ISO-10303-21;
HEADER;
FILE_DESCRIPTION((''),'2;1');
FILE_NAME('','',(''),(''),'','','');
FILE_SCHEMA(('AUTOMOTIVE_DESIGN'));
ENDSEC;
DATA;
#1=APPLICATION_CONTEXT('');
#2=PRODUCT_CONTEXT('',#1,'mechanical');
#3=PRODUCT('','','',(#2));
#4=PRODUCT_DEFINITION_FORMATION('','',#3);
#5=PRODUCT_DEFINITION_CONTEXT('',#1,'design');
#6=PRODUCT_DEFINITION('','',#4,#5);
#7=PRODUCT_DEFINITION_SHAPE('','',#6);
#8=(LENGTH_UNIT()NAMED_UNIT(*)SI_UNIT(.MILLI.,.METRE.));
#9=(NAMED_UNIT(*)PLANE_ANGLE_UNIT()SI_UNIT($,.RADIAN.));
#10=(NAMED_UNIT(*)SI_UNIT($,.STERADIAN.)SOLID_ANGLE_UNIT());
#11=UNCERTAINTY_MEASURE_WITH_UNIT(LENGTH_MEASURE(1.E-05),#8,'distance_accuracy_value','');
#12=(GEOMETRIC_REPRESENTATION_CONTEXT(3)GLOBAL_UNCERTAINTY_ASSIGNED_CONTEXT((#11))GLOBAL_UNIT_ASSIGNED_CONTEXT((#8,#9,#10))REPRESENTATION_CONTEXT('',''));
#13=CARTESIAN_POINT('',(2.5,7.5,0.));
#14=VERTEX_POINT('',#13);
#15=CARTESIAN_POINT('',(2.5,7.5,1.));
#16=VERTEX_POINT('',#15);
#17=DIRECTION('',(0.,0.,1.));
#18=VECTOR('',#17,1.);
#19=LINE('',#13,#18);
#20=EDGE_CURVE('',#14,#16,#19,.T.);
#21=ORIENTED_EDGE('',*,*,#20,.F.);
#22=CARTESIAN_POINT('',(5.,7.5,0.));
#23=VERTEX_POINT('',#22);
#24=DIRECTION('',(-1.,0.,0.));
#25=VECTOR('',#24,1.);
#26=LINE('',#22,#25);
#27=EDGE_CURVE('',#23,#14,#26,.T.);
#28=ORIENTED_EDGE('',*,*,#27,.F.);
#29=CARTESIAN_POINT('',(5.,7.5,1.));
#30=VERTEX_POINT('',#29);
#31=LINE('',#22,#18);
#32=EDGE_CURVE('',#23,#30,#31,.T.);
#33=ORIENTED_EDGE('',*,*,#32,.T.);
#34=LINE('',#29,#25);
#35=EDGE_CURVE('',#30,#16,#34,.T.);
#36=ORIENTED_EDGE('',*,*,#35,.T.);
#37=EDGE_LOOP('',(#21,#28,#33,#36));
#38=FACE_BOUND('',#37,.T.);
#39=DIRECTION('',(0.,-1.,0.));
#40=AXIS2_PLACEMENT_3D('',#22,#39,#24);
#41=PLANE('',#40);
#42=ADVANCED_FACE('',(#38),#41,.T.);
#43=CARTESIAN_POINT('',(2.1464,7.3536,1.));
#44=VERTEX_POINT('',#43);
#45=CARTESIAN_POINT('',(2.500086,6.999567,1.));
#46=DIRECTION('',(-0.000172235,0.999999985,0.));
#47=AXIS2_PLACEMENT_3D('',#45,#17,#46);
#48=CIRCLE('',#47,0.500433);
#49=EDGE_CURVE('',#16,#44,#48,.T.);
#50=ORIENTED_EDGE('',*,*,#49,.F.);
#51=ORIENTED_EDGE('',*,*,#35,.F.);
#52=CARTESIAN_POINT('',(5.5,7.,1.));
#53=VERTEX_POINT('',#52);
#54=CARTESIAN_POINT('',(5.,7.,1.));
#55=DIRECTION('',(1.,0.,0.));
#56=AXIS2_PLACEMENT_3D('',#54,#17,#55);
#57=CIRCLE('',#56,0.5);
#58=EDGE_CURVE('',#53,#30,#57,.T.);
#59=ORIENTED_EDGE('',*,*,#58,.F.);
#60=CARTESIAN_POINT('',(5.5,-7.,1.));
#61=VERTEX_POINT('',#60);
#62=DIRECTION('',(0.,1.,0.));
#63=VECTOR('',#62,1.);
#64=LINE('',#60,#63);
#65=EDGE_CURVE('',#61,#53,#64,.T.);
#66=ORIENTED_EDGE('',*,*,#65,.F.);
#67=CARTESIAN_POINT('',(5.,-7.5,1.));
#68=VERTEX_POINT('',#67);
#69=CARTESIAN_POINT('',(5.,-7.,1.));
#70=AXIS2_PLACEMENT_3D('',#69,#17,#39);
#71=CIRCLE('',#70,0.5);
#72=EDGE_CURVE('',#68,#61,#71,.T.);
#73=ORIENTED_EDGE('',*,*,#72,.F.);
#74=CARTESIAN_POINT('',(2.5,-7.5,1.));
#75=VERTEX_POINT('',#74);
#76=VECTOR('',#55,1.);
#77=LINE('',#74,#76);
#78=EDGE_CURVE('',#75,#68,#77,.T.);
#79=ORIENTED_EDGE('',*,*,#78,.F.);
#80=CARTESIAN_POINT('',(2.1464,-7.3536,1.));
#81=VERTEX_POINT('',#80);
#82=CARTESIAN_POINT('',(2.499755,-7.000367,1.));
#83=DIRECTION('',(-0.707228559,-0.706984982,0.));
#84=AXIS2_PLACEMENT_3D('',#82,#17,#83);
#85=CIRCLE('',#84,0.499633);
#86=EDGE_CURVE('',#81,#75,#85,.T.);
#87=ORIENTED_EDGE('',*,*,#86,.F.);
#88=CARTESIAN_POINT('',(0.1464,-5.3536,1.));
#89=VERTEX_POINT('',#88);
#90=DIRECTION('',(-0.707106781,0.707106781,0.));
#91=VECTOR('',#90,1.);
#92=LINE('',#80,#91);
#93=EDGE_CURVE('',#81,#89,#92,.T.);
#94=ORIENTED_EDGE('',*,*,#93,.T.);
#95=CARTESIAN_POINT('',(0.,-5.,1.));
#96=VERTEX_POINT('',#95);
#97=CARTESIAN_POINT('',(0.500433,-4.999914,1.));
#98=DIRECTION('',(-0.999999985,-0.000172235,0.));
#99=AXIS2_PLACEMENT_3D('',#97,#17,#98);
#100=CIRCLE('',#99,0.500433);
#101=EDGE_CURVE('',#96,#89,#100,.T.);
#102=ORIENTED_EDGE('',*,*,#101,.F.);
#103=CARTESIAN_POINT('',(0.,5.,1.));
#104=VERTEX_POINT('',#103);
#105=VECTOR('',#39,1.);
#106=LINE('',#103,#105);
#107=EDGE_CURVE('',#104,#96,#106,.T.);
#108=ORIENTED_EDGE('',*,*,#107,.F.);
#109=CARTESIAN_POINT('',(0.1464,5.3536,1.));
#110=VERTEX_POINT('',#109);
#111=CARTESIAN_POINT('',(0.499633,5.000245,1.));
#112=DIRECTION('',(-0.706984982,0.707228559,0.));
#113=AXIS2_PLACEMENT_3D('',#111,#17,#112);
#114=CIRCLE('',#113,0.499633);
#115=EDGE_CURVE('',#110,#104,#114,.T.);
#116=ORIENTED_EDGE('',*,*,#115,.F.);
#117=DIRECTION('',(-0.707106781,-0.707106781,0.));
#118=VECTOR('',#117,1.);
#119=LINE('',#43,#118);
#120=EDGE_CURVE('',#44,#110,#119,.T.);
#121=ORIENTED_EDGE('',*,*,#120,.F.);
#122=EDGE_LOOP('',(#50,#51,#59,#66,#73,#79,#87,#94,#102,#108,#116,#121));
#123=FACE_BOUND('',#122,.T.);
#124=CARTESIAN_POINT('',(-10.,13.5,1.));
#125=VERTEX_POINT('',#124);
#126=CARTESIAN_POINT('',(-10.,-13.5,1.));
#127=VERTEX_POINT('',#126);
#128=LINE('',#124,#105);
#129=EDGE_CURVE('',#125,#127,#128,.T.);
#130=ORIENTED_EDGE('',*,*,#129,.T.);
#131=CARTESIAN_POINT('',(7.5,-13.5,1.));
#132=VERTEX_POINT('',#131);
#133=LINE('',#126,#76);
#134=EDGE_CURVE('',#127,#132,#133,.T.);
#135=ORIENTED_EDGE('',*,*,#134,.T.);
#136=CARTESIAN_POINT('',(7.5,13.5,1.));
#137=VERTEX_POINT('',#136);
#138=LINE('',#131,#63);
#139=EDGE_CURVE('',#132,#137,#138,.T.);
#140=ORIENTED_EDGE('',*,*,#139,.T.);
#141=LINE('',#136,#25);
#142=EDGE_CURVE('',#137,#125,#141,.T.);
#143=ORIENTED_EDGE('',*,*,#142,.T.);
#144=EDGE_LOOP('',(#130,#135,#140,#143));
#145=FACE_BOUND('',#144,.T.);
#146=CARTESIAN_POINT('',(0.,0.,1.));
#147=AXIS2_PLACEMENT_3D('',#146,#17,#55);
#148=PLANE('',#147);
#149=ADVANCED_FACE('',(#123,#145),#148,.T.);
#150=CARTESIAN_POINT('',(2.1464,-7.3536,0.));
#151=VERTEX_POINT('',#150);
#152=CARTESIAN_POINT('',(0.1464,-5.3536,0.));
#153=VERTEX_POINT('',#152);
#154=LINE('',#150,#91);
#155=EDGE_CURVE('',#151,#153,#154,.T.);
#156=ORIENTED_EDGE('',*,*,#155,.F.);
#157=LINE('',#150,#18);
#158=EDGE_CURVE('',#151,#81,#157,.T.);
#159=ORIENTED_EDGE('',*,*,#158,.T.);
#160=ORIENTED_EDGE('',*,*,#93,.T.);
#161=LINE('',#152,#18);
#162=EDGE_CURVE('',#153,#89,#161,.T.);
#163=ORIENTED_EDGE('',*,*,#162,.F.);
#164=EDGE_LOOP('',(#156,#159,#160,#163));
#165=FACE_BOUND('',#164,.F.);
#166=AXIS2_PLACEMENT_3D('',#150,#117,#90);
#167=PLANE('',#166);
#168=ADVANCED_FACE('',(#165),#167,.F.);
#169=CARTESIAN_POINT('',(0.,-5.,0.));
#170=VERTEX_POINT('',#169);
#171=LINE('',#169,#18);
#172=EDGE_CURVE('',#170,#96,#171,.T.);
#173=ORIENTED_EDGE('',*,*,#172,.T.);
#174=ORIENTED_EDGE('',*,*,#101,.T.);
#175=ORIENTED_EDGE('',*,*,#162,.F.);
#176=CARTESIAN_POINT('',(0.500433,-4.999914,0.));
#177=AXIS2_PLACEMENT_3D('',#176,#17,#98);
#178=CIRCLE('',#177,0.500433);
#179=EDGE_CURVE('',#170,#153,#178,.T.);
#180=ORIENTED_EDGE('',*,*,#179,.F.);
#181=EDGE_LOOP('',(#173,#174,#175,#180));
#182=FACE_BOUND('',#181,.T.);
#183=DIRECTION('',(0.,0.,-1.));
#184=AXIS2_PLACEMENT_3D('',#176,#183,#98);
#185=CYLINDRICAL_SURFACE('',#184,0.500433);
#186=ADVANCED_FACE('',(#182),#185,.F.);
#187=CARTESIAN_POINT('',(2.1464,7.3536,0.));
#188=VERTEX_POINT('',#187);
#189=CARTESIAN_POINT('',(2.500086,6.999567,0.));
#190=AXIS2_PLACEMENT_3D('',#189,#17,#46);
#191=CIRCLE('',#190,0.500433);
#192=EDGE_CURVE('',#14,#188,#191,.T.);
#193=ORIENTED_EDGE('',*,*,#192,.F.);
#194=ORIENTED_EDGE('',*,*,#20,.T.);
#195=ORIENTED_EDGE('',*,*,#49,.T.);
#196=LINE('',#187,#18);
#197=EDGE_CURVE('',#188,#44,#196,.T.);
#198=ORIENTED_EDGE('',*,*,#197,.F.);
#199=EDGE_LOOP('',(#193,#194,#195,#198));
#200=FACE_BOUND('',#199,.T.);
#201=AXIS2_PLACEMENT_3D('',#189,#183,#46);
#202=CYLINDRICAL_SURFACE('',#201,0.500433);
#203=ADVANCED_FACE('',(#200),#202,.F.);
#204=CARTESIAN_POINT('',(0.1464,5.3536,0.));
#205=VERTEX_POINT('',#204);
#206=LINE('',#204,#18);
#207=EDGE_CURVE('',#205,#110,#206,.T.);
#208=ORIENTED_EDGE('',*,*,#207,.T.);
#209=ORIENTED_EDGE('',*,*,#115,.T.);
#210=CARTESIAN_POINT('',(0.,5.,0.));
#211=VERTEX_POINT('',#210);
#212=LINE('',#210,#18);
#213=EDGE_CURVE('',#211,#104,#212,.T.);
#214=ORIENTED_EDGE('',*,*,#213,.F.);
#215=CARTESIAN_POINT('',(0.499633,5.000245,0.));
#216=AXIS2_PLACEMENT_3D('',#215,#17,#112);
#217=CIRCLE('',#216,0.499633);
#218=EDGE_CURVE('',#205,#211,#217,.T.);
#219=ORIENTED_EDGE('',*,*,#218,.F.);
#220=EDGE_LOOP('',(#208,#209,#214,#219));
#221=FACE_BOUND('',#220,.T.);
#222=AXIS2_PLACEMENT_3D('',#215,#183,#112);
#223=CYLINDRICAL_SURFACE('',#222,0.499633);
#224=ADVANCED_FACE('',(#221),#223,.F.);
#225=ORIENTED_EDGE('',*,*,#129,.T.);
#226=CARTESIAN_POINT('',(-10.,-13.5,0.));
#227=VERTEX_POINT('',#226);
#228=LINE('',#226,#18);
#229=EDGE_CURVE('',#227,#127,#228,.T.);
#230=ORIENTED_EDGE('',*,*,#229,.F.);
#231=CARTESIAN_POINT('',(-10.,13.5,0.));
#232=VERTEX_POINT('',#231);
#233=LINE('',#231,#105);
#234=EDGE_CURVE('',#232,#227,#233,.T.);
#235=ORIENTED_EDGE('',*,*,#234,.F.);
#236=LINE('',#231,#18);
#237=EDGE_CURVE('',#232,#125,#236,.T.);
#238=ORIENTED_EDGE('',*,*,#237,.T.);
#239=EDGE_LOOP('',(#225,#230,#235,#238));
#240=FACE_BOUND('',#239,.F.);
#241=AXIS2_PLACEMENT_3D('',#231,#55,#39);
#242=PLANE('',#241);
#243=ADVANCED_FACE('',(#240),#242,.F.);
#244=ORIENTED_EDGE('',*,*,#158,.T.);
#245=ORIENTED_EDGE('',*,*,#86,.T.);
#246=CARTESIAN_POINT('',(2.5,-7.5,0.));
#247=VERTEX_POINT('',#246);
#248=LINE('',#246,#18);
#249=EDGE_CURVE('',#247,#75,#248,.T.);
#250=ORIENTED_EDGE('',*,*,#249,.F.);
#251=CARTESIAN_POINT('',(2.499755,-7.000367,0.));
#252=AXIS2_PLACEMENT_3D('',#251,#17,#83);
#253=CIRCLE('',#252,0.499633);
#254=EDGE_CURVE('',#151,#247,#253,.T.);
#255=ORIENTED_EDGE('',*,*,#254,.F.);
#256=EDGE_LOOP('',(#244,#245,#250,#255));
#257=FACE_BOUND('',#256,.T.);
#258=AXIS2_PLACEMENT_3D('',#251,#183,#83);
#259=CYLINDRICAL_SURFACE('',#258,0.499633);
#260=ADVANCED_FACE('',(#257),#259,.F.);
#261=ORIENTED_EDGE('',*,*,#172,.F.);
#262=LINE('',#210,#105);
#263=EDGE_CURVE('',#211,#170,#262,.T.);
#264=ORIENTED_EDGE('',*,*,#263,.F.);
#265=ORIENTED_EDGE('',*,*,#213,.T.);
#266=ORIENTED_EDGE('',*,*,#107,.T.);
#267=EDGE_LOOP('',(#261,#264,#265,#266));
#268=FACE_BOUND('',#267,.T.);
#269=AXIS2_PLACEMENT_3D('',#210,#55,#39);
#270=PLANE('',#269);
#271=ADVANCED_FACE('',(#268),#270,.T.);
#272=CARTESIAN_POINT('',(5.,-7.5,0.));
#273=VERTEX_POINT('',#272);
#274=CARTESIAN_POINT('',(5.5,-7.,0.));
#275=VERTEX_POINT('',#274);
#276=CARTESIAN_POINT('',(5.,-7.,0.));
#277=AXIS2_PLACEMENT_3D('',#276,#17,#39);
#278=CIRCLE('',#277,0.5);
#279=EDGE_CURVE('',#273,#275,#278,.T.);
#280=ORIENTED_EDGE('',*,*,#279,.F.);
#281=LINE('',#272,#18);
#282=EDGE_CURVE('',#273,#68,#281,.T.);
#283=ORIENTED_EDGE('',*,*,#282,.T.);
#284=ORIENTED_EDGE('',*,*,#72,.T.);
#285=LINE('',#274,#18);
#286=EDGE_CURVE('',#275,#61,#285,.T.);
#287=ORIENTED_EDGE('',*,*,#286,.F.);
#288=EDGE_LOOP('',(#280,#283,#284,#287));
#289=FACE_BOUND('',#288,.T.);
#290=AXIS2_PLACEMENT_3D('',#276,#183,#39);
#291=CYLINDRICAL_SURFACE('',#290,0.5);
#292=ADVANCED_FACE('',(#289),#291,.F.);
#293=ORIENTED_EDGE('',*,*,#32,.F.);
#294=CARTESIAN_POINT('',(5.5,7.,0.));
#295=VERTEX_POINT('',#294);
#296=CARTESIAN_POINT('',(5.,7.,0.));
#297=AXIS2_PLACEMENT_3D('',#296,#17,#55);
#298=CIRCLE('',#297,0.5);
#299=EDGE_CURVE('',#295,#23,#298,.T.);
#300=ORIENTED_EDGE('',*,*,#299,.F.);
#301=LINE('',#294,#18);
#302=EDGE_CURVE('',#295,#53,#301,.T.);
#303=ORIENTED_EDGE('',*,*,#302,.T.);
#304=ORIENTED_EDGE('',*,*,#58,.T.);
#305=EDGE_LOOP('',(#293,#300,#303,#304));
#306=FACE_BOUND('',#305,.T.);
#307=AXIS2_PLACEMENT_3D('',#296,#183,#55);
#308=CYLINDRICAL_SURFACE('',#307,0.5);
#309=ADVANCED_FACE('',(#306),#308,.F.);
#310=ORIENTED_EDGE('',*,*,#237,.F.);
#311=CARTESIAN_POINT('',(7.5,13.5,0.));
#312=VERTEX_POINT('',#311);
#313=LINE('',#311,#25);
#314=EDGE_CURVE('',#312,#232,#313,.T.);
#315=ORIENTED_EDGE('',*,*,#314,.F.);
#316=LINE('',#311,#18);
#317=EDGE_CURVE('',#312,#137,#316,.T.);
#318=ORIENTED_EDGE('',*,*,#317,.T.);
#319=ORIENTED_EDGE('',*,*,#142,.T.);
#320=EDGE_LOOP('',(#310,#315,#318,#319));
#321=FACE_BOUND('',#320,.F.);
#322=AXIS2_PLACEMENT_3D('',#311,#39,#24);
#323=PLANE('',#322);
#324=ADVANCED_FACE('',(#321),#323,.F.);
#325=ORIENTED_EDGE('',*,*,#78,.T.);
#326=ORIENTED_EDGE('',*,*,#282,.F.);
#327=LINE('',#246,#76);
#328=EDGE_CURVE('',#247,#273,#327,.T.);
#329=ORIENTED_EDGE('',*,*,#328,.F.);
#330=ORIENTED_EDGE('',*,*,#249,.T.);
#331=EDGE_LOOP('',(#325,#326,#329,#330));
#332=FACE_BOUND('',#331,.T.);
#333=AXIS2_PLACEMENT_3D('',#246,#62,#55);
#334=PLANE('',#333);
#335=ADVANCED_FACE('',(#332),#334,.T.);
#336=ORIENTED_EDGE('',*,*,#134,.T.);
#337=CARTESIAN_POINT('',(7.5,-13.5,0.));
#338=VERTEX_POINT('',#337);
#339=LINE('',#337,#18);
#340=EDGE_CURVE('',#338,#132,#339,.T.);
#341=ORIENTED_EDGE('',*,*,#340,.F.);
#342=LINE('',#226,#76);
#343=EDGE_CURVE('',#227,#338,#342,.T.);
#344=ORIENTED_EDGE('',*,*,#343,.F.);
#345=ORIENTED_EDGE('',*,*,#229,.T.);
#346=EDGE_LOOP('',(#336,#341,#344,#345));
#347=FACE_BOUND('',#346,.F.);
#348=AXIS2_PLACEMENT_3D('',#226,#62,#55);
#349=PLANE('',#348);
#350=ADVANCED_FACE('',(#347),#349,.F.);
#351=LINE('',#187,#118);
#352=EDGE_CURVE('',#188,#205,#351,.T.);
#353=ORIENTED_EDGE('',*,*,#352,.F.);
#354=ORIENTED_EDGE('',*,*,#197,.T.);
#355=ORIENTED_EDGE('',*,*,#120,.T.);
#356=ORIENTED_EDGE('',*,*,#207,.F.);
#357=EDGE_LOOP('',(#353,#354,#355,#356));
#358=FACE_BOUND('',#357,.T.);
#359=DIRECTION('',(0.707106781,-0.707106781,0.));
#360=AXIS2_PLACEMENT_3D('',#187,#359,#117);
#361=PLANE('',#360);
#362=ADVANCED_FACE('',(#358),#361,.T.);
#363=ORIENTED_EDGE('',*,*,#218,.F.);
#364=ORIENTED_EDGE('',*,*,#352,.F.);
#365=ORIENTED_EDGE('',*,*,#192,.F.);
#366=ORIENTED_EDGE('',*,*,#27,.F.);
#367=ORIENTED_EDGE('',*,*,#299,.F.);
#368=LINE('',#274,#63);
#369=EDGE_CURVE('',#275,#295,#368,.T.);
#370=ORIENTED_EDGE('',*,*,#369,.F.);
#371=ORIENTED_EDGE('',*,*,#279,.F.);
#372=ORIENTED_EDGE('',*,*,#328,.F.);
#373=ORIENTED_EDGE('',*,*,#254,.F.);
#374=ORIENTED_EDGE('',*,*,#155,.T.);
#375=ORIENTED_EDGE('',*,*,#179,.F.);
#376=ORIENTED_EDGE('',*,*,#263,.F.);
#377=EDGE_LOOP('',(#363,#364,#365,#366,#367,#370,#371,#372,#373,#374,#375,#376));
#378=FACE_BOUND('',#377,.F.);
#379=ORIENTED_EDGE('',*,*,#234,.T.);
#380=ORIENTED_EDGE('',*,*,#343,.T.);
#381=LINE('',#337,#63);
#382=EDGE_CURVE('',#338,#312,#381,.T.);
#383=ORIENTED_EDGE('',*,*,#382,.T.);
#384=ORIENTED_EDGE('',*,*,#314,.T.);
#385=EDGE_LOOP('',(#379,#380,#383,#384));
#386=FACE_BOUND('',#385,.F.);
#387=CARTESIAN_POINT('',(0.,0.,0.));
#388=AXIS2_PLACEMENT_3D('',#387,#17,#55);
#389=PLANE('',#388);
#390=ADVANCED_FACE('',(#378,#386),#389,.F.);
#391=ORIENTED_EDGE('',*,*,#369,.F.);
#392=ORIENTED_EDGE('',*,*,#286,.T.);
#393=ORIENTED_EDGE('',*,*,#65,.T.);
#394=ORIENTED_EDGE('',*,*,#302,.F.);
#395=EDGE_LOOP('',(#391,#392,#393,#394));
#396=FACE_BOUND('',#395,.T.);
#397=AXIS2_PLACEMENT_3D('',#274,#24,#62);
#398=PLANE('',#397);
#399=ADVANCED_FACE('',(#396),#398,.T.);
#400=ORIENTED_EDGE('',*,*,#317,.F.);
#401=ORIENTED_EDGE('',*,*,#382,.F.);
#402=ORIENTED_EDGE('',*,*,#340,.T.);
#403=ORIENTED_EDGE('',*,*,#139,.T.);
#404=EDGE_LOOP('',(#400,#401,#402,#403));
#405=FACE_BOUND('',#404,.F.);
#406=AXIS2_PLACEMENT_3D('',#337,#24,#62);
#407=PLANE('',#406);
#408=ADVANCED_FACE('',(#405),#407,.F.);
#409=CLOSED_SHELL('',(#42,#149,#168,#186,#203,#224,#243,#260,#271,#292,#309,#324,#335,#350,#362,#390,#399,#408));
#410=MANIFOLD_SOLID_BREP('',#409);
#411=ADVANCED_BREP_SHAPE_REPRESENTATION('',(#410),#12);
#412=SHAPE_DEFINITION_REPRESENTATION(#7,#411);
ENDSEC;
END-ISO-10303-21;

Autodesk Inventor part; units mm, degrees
ref_plane "YZ Plane" through (0, 0, 0) normal (1, 0, 0) x (0, 1, 0)
ref_plane "XZ Plane" through (0, 0, 0) normal (0, 1, 0) x (-1, 0, 0)
ref_plane "XY Plane" through (0, 0, 0) normal (0, 0, 1) x (1, 0, 0)
sketch "Sketch1" plane through (0, 0, 0) normal (0, 0, 1) x (1, 0, 0)
  line L0 (5, 7.5) -> (2.5, 7.5)
  line L1 (0, 5) -> (0, -5)
  line L2 (2.5, -7.5) -> (5, -7.5)
  line L3 (5.5, -7) -> (5.5, 7)
  line L4 (2.1464, 7.3536) -> (0.1464, 5.3536)
  line L5 (2.1464, -7.3536) -> (0.1464, -5.3536)
  line L6 (5.5, 0) -> (-0.5, 0) construction
  arc A0 (5.5, 7) -> (5, 7.5) centre (5, 7) ccw
  arc A1 (5, -7.5) -> (5.5, -7) centre (5, -7) ccw
  arc A2 (2.1464, -7.3536) -> (2.5, -7.5) centre (2.5, -7) ccw
  arc A3 (0, -5) -> (0.1464, -5.3536) centre (0.5, -5) ccw
  arc A4 (0.1464, 5.3536) -> (0, 5) centre (0.5, 5) ccw
  arc A5 (2.5, 7.5) -> (2.1464, 7.3536) centre (2.5, 7) ccw
  line L7 (5, 7) -> (5, -7)
  line L8 (5, -7) -> (2.5, -7)
  line L9 (2.5, -7) -> (0.5, -5)
  line L10 (0.5, -5) -> (0.5, 5)
  line L11 (0.5, 5) -> (2.5, 7)
  line L12 (2.5, 7) -> (5, 7)
  line L13 (7.5, 13.5) -> (-10, 13.5)
  line L14 (-10, 13.5) -> (-10, -13.5)
  line L15 (-10, -13.5) -> (7.5, -13.5)
  line L16 (7.5, -13.5) -> (7.5, 13.5)
  line L17 (5.5, 0) -> (7.5, 0) construction
  point P0 (0, 0)
  point P1 (-0.5, 0)
  point P2 (5.5, 7.5)
  point P3 (5.5, -7.5)
  point P4 (-0.5, 0)
  point P5 (0, 0)
  dimension "d0" = 0.5
  dimension "d1" = 15
  dimension "d2" = 5.5
  dimension "d3" = 0.5
  dimension "d4" = 135
  dimension "d5" = 3
  dimension "d6" = 0.5
  dimension "d7" = 10
  dimension "d8" = 27
  dimension "d9" = 2
extrude "Extrusion1" add sketch "Sketch1" along normal blind 1 contours L16 L15 L14 L13
properties part number "P002-Cache-HDMI"
